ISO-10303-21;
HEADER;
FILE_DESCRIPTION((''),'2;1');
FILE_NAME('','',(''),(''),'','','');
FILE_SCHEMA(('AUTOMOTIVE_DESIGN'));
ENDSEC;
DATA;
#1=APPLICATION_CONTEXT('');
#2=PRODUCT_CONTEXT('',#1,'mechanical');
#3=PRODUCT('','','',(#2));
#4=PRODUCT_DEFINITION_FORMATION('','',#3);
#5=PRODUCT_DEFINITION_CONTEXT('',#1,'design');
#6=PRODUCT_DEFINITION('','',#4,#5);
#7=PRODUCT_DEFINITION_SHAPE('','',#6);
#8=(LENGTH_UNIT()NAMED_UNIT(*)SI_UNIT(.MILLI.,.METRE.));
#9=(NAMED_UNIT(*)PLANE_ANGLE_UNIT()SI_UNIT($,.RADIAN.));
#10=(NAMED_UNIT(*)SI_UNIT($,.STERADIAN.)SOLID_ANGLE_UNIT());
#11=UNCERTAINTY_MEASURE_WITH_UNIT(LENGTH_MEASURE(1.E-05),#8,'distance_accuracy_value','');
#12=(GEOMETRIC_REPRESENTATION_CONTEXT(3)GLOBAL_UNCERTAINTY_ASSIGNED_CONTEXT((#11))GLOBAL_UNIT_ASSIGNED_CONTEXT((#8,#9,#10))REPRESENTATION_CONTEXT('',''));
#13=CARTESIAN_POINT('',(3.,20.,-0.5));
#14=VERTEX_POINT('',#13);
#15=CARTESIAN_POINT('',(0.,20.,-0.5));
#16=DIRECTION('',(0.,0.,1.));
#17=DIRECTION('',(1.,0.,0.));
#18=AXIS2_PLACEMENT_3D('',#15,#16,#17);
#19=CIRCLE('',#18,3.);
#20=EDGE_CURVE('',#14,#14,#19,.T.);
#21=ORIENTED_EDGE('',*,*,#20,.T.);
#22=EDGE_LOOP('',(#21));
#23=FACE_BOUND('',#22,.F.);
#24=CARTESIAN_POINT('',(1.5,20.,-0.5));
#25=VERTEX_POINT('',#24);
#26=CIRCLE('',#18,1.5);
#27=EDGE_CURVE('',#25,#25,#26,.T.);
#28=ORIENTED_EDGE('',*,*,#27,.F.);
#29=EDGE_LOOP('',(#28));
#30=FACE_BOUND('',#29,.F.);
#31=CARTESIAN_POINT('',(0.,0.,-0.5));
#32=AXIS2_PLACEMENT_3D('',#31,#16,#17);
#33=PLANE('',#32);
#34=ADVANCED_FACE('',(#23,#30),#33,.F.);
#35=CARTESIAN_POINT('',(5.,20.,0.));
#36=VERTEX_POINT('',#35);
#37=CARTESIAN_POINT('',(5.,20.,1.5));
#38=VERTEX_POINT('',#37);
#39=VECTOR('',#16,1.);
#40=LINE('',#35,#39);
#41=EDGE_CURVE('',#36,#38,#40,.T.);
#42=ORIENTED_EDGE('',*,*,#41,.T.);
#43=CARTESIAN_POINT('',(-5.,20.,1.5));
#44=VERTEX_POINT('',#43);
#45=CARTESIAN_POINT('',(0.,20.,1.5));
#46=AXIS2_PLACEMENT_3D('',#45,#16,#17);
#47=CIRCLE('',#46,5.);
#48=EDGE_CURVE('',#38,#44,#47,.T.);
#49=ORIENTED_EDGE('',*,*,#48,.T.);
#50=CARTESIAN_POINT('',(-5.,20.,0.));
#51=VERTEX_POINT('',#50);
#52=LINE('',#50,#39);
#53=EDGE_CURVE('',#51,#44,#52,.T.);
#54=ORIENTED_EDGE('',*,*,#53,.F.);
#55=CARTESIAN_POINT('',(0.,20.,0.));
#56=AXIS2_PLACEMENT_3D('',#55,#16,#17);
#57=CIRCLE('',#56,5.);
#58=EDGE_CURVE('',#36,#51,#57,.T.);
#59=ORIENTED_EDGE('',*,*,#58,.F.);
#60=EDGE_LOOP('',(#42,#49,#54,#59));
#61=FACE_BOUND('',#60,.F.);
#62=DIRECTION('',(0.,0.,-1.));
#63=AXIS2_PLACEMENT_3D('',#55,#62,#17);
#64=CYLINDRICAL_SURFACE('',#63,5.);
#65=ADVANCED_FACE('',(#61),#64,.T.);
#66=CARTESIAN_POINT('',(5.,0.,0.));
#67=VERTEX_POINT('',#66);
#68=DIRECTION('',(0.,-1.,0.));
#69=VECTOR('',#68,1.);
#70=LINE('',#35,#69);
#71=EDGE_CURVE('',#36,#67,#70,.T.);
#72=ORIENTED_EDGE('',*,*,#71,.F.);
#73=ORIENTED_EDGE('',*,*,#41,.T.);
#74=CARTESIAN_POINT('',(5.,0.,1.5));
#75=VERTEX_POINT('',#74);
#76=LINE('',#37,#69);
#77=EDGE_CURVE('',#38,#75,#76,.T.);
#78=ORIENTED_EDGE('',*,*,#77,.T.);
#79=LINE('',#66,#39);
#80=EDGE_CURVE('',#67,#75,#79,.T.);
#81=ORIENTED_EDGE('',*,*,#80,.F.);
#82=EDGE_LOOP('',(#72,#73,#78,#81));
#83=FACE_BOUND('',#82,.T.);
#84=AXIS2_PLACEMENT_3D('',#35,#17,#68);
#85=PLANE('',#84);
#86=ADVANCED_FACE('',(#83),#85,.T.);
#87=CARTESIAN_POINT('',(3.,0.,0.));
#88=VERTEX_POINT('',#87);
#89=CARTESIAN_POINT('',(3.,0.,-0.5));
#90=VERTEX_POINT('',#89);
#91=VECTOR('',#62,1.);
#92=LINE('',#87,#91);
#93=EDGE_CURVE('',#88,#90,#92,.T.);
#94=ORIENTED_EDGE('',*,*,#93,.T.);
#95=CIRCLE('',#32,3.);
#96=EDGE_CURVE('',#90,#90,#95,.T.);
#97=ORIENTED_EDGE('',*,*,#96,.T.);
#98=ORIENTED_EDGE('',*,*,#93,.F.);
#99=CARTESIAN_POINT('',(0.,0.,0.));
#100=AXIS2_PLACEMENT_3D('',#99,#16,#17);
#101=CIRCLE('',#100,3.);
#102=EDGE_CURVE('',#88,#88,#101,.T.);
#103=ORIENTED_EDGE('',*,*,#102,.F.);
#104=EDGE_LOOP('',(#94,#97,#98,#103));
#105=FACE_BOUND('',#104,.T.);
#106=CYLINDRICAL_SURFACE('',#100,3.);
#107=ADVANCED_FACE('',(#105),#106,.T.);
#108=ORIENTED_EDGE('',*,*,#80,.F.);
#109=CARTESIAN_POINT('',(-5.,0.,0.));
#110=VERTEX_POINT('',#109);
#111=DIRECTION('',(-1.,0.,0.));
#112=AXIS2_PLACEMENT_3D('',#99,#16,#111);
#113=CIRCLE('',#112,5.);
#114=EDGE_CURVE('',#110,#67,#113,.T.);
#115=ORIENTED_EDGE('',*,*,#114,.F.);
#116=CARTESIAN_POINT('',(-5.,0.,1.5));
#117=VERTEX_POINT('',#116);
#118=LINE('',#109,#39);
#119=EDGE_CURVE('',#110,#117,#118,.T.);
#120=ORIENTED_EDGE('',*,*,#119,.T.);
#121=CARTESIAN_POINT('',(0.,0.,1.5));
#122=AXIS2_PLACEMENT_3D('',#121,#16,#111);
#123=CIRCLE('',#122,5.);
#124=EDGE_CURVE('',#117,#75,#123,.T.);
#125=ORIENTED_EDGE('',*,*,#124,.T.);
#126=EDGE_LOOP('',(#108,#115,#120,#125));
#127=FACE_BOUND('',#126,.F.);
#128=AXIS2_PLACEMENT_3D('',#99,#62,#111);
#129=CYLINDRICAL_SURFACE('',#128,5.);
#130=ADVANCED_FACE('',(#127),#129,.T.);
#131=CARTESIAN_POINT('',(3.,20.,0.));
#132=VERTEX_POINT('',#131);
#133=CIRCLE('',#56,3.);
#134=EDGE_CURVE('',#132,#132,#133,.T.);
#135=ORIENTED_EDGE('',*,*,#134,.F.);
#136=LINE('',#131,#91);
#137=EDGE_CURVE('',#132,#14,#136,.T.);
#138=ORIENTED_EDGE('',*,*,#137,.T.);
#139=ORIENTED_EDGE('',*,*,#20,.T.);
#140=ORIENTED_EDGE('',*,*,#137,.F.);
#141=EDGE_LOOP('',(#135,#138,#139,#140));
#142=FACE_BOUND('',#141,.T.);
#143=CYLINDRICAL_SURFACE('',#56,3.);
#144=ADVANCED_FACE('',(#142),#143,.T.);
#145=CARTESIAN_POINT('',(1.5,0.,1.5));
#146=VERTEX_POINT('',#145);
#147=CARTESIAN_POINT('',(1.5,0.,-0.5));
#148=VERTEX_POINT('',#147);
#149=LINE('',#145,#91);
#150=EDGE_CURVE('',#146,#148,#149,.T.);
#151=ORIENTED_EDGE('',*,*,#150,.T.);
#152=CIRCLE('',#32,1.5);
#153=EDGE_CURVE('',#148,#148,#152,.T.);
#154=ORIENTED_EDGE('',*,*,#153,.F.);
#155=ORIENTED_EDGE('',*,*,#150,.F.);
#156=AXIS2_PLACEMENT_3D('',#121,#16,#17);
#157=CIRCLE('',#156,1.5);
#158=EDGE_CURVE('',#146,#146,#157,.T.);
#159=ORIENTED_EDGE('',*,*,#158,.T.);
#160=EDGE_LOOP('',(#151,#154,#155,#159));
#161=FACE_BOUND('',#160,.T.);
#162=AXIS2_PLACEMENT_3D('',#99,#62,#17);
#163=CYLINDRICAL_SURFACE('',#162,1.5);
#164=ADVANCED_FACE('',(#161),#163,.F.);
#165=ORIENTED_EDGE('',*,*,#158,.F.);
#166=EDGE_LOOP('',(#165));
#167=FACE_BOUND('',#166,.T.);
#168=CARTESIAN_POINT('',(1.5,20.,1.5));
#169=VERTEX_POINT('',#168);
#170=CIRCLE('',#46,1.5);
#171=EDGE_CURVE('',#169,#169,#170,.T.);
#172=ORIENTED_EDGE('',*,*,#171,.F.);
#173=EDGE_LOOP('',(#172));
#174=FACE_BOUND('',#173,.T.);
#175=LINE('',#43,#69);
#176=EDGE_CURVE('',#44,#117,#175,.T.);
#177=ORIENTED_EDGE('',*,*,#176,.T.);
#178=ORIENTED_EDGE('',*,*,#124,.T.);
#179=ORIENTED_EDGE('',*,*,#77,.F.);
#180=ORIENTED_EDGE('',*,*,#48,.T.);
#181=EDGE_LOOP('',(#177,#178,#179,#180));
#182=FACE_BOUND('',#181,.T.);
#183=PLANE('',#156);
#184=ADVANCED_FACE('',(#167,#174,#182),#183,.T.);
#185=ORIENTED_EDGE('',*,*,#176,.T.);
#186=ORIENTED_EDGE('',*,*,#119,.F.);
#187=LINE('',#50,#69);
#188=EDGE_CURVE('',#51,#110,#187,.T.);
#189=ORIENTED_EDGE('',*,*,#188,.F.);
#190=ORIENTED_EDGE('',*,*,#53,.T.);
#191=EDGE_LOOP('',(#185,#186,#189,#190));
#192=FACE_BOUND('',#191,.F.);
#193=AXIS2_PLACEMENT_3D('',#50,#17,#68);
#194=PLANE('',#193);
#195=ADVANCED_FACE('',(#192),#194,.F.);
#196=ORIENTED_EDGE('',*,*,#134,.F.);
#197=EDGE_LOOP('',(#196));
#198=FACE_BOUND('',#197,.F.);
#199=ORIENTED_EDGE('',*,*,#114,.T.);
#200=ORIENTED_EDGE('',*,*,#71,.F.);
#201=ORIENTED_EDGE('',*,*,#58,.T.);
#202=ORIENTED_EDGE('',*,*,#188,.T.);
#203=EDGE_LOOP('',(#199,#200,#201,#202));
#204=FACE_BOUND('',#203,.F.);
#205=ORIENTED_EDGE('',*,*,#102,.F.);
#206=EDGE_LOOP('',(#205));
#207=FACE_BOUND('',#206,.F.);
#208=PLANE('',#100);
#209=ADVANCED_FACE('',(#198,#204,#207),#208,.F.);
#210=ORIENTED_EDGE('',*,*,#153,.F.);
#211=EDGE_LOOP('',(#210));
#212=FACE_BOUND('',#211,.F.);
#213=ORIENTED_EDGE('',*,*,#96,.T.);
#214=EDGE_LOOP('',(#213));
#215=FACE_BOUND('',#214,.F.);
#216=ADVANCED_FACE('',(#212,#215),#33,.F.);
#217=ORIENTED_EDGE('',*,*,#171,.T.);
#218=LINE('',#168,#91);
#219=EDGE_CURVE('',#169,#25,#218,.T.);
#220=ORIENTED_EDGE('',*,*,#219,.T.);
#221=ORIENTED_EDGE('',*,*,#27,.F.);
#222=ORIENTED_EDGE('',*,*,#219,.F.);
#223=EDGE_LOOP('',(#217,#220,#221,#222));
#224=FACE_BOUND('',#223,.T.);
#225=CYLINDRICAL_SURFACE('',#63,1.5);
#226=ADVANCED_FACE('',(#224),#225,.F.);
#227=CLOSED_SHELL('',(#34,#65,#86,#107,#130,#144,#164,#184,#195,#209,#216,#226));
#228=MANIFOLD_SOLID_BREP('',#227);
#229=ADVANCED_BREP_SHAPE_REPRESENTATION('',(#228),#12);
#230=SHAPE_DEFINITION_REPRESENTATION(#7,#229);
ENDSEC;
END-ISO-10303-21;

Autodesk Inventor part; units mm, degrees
ref_plane "YZ Plane" through (0, 0, 0) normal (1, 0, 0) x (0, 1, 0)
ref_plane "XZ Plane" through (0, 0, 0) normal (0, 1, 0) x (-1, 0, 0)
ref_plane "XY Plane" through (0, 0, 0) normal (0, 0, 1) x (1, 0, 0)
sketch "Skizze1" plane through (0, 0, 0) normal (0, 0, 1) x (1, 0, 0)
  line L0 (0, 31) -> (0, -11) construction
  line L1 (-7, 0) -> (7, 0) construction
  circle A0 centre (0, 0) radius 1.5
  arc A1 (-5, 0) -> (5, 0) centre (0, 0) ccw
  circle A2 centre (0, 20) radius 1.5
  arc A3 (5, 20) -> (-5, 20) centre (0, 20) ccw
  line L2 (-5, 20) -> (-5, 0)
  line L3 (5, 20) -> (5, 0)
  circle A4 centre (0, 0) radius 3
  circle A5 centre (0, 20) radius 3
  dimension "d0" = 3
  dimension "d1" = 10
  dimension "d4" = 1.5
  dimension "d7" = 20
extrude "Extrusion1" add sketch "Skizze1" along normal blind 1.5 contours L2 A3 L3 A1 | A4 | A5
extrude "Extrusion2" add sketch "Skizze1" against normal blind 0.5 contours A4 | A5
properties part number "Mouth-Lever"
